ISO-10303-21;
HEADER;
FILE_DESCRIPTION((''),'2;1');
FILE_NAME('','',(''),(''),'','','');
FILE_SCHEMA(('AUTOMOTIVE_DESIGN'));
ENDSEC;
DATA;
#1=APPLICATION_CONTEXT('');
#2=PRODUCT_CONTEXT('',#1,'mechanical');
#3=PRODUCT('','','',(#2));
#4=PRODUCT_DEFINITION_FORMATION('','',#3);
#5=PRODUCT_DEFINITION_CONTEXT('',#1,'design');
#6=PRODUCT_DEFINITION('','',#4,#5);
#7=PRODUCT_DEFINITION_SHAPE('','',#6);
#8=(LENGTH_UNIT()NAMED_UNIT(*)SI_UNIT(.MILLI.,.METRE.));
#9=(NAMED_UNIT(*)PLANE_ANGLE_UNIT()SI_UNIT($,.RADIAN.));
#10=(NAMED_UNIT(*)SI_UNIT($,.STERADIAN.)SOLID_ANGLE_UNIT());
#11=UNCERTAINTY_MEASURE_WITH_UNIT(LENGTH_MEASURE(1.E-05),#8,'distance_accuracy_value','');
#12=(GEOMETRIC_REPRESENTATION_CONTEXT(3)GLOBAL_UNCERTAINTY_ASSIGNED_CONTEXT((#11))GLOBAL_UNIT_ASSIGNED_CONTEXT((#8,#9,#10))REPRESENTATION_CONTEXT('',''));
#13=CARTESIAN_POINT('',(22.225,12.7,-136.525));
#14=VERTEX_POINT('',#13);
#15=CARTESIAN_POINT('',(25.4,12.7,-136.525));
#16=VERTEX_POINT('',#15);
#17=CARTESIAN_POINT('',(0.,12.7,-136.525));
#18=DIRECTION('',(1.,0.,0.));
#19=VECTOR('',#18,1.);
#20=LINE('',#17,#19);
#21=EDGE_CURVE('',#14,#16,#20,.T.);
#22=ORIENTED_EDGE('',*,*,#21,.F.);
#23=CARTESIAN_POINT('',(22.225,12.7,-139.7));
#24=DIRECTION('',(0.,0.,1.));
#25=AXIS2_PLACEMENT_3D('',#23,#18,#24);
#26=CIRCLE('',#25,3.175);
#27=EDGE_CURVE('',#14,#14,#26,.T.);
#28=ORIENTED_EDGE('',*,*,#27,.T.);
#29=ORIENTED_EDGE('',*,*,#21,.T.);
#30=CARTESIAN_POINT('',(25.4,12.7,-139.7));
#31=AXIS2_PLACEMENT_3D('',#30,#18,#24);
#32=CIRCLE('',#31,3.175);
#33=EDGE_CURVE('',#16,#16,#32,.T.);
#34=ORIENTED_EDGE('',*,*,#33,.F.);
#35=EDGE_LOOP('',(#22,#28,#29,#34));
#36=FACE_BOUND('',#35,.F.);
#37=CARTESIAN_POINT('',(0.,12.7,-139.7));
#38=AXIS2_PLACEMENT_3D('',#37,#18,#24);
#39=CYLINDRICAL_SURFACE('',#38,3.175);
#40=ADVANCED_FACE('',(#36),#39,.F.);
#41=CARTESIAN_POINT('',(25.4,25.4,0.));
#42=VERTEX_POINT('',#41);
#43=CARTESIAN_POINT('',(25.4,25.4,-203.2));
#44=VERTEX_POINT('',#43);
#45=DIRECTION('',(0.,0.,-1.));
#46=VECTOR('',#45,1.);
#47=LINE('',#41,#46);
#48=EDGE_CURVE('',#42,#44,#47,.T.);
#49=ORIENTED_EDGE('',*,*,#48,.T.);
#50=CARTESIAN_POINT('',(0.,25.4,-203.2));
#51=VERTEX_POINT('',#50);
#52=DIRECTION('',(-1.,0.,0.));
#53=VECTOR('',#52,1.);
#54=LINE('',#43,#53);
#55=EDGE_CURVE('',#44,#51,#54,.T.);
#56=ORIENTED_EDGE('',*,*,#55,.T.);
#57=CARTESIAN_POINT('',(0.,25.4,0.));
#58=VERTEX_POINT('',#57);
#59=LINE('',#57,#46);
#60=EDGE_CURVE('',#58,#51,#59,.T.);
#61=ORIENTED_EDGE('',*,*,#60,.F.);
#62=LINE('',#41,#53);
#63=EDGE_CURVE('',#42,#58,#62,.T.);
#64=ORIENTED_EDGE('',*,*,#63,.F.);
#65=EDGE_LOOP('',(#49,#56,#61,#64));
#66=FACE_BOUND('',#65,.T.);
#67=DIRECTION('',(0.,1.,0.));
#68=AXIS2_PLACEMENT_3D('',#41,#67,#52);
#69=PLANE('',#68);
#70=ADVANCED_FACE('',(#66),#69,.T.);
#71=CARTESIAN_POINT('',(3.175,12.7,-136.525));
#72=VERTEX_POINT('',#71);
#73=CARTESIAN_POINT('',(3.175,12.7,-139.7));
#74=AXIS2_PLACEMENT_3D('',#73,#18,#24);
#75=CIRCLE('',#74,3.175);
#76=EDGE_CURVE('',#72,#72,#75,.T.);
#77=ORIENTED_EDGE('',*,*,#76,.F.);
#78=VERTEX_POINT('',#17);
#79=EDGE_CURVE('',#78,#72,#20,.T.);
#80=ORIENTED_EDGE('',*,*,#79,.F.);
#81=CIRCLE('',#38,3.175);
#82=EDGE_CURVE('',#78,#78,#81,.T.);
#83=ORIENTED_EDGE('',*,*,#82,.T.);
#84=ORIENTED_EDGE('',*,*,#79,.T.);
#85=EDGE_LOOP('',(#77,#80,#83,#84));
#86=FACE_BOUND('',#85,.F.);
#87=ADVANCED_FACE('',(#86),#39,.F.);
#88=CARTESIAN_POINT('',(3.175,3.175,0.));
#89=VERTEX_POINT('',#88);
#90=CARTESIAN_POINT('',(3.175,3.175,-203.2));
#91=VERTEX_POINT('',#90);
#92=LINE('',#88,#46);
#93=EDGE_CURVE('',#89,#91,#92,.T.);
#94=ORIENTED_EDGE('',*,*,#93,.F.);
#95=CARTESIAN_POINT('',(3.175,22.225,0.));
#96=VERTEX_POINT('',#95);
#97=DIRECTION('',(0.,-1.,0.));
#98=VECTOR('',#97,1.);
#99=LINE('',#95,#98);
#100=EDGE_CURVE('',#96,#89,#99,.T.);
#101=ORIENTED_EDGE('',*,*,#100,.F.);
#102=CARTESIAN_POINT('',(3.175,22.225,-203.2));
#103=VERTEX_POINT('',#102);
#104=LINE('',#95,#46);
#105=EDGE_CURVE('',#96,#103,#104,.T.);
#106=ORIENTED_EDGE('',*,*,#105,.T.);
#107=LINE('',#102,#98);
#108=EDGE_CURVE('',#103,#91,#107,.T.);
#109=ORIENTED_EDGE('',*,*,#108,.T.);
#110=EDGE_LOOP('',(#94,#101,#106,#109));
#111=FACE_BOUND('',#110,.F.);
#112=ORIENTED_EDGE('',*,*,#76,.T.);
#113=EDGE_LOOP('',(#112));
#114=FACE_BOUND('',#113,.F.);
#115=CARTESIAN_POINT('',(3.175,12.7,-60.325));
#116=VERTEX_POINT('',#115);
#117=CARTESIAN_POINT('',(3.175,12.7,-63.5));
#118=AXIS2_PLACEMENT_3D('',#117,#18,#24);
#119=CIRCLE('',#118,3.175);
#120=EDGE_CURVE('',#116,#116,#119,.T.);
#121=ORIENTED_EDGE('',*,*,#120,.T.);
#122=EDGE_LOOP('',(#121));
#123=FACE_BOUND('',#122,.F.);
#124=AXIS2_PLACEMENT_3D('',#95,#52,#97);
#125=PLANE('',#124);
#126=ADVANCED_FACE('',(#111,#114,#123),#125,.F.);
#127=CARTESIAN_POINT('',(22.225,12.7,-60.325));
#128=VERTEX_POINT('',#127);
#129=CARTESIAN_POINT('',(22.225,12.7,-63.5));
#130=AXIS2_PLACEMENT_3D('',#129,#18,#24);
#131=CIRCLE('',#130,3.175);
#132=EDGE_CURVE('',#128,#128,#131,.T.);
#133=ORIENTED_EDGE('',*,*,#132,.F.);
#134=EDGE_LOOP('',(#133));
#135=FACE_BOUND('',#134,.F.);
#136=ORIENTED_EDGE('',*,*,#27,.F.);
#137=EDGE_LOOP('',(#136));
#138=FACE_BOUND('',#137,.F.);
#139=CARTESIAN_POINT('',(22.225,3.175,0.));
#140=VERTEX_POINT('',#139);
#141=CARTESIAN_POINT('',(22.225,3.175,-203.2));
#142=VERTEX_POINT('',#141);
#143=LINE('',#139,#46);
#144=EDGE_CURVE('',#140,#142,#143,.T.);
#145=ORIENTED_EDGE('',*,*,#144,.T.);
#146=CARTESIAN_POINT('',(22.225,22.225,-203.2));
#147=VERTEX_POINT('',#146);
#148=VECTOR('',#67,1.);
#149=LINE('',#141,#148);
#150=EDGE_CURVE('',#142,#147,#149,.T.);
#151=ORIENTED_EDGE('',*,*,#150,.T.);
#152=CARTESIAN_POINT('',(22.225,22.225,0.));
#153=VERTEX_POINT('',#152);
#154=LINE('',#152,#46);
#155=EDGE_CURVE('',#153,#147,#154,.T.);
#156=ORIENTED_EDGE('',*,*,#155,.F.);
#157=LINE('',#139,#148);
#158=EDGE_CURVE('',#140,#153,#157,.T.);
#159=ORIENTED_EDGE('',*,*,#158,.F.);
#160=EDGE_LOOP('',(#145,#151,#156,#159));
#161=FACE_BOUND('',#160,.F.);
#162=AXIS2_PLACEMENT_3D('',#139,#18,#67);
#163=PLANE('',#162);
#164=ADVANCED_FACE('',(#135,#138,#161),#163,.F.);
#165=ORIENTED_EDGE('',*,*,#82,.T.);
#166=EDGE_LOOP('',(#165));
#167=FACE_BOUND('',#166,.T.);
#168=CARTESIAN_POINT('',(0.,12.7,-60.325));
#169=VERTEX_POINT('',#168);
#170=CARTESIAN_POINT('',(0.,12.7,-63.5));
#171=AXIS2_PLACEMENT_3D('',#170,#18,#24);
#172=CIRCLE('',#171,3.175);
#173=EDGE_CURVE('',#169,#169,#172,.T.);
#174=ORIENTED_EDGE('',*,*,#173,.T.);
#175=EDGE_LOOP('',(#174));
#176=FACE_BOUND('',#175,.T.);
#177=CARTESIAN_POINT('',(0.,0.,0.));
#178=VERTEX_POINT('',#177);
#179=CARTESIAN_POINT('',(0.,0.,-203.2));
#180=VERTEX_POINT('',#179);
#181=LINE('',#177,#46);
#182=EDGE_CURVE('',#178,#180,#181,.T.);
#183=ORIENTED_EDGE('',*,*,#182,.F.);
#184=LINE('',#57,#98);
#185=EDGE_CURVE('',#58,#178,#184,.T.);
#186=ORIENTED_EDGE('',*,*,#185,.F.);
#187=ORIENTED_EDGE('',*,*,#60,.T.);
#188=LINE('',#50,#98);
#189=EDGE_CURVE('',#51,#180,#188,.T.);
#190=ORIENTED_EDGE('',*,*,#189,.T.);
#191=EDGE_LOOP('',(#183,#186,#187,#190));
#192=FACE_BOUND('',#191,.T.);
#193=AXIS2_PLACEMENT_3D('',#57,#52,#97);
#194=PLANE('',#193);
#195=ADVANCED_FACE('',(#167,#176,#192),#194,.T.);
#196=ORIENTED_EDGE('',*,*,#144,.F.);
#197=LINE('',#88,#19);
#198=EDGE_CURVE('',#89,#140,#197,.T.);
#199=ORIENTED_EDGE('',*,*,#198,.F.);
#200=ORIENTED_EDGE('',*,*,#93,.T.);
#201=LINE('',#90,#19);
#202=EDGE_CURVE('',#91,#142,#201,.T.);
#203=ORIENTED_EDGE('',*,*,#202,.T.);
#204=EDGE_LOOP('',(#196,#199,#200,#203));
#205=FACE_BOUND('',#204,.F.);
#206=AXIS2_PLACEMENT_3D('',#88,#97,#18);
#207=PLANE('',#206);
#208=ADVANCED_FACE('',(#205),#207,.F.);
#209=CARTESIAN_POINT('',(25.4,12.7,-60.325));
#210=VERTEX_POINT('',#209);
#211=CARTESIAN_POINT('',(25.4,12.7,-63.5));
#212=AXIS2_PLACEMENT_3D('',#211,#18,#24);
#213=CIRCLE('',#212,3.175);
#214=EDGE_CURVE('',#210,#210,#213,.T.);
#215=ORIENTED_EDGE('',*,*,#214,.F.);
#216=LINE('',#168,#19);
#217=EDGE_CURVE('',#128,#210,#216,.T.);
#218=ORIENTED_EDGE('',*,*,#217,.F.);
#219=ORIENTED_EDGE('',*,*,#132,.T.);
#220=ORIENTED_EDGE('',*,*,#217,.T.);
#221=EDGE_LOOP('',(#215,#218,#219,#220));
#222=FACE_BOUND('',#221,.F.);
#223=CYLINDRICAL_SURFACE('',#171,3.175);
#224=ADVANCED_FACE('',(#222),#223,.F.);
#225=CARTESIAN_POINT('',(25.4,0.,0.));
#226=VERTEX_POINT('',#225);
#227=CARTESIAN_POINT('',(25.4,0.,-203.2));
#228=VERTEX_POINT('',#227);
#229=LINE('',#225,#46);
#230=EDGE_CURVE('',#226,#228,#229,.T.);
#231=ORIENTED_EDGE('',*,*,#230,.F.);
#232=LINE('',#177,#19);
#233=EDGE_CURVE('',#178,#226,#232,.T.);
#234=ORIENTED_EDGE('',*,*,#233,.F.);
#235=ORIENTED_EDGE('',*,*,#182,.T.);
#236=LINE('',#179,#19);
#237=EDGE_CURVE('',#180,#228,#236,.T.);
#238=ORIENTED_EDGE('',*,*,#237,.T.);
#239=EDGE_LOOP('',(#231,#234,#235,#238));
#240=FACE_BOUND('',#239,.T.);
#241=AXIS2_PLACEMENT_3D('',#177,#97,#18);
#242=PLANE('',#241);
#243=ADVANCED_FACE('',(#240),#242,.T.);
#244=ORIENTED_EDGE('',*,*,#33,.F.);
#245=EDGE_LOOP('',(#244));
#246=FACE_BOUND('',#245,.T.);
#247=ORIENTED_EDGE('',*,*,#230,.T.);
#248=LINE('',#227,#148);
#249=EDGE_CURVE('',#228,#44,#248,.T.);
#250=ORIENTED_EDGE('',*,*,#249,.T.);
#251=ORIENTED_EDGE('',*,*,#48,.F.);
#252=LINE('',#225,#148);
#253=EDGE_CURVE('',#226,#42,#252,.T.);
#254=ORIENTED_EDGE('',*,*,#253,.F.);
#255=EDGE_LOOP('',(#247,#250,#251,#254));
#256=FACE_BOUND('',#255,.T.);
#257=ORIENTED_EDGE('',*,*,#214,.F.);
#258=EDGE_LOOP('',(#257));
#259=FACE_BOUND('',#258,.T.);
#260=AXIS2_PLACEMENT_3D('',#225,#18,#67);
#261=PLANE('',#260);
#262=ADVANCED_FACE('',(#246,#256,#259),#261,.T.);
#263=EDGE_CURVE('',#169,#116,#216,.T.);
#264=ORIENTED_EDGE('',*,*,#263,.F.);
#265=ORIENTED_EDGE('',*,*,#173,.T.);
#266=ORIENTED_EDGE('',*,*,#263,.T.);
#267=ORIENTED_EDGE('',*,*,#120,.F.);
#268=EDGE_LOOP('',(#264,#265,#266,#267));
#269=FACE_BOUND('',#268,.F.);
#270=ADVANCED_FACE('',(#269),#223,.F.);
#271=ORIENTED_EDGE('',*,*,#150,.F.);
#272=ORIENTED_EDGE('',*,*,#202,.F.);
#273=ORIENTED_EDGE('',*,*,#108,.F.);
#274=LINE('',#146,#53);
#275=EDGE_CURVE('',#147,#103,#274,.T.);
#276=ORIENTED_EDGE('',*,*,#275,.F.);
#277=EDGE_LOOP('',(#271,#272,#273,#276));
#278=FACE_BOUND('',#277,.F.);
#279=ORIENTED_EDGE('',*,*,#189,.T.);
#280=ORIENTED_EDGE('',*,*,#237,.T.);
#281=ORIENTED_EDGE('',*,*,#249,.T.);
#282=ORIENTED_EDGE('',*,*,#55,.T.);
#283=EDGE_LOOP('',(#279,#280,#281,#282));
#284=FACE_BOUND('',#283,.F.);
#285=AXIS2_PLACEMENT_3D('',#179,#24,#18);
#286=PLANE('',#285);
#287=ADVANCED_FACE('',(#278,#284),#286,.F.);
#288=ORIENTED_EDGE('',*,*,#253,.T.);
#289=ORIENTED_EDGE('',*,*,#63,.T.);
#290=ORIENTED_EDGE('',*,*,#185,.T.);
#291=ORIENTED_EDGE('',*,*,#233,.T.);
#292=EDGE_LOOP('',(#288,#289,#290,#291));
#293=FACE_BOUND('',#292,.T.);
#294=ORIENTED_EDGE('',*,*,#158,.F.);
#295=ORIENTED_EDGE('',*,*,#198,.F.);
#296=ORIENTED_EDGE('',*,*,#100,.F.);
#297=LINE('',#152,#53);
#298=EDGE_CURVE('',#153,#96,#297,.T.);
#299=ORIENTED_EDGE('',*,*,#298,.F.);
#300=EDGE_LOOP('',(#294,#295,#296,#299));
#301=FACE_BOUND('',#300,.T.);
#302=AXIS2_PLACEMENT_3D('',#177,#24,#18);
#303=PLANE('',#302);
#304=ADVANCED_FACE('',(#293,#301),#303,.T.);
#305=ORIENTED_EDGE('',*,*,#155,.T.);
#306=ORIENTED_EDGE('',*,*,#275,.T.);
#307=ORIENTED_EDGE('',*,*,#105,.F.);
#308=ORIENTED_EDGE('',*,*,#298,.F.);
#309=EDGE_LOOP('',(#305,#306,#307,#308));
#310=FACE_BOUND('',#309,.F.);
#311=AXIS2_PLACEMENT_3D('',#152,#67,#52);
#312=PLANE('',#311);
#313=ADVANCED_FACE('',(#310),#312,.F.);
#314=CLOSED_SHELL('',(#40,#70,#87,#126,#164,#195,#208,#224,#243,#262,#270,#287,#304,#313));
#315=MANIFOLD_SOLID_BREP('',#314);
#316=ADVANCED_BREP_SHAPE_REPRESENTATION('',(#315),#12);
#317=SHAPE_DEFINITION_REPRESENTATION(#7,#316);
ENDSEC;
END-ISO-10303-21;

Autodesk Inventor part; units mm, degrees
ref_plane "YZ Plane" through (0, 0, 0) normal (1, 0, 0) x (0, 1, 0)
ref_plane "XZ Plane" through (0, 0, 0) normal (0, 1, 0) x (-1, 0, 0)
ref_plane "XY Plane" through (0, 0, 0) normal (0, 0, 1) x (1, 0, 0)
sketch "Sketch1" plane through (0, 0, 0) normal (0, 0, 1) x (1, 0, 0)
  line L0 (0, 0) -> (25.4, 0)
  line L1 (25.4, 0) -> (25.4, 25.4)
  line L2 (25.4, 25.4) -> (0, 25.4)
  line L3 (0, 25.4) -> (0, 0)
  line L4 (3.175, 3.175) -> (22.225, 3.175)
  line L5 (22.225, 3.175) -> (22.225, 22.225)
  line L6 (22.225, 22.225) -> (3.175, 22.225)
  line L7 (3.175, 22.225) -> (3.175, 3.175)
  dimension "d0" = 25.4
  dimension "d1" = 25.4
  dimension "d2" = 3.175
extrude "Extrusion1" add sketch "Sketch1" against normal blind 203.2
sketch "Sketch2" plane through (0, 0, 0) normal (-1, 0, 0) x (0, 0, 1)
  line L0 (-203.2, 25.4) -> (-203.2, 0) projected
  line L1 (0, 25.4) -> (0, 0) projected
  point P0 (-63.5, 12.7)
  point P1 (-139.7, 12.7)
  dimension "d5" = 76.2
  dimension "d6" = 63.5
  dimension "d7" = 63.5
hole "Hole1" at (0, 12.7, -63.5) at (0, 12.7, -139.7) direction (1, 0, 0) diameter 6.35 depth 25.4 tip angle 118
properties part number "10 in tube"
